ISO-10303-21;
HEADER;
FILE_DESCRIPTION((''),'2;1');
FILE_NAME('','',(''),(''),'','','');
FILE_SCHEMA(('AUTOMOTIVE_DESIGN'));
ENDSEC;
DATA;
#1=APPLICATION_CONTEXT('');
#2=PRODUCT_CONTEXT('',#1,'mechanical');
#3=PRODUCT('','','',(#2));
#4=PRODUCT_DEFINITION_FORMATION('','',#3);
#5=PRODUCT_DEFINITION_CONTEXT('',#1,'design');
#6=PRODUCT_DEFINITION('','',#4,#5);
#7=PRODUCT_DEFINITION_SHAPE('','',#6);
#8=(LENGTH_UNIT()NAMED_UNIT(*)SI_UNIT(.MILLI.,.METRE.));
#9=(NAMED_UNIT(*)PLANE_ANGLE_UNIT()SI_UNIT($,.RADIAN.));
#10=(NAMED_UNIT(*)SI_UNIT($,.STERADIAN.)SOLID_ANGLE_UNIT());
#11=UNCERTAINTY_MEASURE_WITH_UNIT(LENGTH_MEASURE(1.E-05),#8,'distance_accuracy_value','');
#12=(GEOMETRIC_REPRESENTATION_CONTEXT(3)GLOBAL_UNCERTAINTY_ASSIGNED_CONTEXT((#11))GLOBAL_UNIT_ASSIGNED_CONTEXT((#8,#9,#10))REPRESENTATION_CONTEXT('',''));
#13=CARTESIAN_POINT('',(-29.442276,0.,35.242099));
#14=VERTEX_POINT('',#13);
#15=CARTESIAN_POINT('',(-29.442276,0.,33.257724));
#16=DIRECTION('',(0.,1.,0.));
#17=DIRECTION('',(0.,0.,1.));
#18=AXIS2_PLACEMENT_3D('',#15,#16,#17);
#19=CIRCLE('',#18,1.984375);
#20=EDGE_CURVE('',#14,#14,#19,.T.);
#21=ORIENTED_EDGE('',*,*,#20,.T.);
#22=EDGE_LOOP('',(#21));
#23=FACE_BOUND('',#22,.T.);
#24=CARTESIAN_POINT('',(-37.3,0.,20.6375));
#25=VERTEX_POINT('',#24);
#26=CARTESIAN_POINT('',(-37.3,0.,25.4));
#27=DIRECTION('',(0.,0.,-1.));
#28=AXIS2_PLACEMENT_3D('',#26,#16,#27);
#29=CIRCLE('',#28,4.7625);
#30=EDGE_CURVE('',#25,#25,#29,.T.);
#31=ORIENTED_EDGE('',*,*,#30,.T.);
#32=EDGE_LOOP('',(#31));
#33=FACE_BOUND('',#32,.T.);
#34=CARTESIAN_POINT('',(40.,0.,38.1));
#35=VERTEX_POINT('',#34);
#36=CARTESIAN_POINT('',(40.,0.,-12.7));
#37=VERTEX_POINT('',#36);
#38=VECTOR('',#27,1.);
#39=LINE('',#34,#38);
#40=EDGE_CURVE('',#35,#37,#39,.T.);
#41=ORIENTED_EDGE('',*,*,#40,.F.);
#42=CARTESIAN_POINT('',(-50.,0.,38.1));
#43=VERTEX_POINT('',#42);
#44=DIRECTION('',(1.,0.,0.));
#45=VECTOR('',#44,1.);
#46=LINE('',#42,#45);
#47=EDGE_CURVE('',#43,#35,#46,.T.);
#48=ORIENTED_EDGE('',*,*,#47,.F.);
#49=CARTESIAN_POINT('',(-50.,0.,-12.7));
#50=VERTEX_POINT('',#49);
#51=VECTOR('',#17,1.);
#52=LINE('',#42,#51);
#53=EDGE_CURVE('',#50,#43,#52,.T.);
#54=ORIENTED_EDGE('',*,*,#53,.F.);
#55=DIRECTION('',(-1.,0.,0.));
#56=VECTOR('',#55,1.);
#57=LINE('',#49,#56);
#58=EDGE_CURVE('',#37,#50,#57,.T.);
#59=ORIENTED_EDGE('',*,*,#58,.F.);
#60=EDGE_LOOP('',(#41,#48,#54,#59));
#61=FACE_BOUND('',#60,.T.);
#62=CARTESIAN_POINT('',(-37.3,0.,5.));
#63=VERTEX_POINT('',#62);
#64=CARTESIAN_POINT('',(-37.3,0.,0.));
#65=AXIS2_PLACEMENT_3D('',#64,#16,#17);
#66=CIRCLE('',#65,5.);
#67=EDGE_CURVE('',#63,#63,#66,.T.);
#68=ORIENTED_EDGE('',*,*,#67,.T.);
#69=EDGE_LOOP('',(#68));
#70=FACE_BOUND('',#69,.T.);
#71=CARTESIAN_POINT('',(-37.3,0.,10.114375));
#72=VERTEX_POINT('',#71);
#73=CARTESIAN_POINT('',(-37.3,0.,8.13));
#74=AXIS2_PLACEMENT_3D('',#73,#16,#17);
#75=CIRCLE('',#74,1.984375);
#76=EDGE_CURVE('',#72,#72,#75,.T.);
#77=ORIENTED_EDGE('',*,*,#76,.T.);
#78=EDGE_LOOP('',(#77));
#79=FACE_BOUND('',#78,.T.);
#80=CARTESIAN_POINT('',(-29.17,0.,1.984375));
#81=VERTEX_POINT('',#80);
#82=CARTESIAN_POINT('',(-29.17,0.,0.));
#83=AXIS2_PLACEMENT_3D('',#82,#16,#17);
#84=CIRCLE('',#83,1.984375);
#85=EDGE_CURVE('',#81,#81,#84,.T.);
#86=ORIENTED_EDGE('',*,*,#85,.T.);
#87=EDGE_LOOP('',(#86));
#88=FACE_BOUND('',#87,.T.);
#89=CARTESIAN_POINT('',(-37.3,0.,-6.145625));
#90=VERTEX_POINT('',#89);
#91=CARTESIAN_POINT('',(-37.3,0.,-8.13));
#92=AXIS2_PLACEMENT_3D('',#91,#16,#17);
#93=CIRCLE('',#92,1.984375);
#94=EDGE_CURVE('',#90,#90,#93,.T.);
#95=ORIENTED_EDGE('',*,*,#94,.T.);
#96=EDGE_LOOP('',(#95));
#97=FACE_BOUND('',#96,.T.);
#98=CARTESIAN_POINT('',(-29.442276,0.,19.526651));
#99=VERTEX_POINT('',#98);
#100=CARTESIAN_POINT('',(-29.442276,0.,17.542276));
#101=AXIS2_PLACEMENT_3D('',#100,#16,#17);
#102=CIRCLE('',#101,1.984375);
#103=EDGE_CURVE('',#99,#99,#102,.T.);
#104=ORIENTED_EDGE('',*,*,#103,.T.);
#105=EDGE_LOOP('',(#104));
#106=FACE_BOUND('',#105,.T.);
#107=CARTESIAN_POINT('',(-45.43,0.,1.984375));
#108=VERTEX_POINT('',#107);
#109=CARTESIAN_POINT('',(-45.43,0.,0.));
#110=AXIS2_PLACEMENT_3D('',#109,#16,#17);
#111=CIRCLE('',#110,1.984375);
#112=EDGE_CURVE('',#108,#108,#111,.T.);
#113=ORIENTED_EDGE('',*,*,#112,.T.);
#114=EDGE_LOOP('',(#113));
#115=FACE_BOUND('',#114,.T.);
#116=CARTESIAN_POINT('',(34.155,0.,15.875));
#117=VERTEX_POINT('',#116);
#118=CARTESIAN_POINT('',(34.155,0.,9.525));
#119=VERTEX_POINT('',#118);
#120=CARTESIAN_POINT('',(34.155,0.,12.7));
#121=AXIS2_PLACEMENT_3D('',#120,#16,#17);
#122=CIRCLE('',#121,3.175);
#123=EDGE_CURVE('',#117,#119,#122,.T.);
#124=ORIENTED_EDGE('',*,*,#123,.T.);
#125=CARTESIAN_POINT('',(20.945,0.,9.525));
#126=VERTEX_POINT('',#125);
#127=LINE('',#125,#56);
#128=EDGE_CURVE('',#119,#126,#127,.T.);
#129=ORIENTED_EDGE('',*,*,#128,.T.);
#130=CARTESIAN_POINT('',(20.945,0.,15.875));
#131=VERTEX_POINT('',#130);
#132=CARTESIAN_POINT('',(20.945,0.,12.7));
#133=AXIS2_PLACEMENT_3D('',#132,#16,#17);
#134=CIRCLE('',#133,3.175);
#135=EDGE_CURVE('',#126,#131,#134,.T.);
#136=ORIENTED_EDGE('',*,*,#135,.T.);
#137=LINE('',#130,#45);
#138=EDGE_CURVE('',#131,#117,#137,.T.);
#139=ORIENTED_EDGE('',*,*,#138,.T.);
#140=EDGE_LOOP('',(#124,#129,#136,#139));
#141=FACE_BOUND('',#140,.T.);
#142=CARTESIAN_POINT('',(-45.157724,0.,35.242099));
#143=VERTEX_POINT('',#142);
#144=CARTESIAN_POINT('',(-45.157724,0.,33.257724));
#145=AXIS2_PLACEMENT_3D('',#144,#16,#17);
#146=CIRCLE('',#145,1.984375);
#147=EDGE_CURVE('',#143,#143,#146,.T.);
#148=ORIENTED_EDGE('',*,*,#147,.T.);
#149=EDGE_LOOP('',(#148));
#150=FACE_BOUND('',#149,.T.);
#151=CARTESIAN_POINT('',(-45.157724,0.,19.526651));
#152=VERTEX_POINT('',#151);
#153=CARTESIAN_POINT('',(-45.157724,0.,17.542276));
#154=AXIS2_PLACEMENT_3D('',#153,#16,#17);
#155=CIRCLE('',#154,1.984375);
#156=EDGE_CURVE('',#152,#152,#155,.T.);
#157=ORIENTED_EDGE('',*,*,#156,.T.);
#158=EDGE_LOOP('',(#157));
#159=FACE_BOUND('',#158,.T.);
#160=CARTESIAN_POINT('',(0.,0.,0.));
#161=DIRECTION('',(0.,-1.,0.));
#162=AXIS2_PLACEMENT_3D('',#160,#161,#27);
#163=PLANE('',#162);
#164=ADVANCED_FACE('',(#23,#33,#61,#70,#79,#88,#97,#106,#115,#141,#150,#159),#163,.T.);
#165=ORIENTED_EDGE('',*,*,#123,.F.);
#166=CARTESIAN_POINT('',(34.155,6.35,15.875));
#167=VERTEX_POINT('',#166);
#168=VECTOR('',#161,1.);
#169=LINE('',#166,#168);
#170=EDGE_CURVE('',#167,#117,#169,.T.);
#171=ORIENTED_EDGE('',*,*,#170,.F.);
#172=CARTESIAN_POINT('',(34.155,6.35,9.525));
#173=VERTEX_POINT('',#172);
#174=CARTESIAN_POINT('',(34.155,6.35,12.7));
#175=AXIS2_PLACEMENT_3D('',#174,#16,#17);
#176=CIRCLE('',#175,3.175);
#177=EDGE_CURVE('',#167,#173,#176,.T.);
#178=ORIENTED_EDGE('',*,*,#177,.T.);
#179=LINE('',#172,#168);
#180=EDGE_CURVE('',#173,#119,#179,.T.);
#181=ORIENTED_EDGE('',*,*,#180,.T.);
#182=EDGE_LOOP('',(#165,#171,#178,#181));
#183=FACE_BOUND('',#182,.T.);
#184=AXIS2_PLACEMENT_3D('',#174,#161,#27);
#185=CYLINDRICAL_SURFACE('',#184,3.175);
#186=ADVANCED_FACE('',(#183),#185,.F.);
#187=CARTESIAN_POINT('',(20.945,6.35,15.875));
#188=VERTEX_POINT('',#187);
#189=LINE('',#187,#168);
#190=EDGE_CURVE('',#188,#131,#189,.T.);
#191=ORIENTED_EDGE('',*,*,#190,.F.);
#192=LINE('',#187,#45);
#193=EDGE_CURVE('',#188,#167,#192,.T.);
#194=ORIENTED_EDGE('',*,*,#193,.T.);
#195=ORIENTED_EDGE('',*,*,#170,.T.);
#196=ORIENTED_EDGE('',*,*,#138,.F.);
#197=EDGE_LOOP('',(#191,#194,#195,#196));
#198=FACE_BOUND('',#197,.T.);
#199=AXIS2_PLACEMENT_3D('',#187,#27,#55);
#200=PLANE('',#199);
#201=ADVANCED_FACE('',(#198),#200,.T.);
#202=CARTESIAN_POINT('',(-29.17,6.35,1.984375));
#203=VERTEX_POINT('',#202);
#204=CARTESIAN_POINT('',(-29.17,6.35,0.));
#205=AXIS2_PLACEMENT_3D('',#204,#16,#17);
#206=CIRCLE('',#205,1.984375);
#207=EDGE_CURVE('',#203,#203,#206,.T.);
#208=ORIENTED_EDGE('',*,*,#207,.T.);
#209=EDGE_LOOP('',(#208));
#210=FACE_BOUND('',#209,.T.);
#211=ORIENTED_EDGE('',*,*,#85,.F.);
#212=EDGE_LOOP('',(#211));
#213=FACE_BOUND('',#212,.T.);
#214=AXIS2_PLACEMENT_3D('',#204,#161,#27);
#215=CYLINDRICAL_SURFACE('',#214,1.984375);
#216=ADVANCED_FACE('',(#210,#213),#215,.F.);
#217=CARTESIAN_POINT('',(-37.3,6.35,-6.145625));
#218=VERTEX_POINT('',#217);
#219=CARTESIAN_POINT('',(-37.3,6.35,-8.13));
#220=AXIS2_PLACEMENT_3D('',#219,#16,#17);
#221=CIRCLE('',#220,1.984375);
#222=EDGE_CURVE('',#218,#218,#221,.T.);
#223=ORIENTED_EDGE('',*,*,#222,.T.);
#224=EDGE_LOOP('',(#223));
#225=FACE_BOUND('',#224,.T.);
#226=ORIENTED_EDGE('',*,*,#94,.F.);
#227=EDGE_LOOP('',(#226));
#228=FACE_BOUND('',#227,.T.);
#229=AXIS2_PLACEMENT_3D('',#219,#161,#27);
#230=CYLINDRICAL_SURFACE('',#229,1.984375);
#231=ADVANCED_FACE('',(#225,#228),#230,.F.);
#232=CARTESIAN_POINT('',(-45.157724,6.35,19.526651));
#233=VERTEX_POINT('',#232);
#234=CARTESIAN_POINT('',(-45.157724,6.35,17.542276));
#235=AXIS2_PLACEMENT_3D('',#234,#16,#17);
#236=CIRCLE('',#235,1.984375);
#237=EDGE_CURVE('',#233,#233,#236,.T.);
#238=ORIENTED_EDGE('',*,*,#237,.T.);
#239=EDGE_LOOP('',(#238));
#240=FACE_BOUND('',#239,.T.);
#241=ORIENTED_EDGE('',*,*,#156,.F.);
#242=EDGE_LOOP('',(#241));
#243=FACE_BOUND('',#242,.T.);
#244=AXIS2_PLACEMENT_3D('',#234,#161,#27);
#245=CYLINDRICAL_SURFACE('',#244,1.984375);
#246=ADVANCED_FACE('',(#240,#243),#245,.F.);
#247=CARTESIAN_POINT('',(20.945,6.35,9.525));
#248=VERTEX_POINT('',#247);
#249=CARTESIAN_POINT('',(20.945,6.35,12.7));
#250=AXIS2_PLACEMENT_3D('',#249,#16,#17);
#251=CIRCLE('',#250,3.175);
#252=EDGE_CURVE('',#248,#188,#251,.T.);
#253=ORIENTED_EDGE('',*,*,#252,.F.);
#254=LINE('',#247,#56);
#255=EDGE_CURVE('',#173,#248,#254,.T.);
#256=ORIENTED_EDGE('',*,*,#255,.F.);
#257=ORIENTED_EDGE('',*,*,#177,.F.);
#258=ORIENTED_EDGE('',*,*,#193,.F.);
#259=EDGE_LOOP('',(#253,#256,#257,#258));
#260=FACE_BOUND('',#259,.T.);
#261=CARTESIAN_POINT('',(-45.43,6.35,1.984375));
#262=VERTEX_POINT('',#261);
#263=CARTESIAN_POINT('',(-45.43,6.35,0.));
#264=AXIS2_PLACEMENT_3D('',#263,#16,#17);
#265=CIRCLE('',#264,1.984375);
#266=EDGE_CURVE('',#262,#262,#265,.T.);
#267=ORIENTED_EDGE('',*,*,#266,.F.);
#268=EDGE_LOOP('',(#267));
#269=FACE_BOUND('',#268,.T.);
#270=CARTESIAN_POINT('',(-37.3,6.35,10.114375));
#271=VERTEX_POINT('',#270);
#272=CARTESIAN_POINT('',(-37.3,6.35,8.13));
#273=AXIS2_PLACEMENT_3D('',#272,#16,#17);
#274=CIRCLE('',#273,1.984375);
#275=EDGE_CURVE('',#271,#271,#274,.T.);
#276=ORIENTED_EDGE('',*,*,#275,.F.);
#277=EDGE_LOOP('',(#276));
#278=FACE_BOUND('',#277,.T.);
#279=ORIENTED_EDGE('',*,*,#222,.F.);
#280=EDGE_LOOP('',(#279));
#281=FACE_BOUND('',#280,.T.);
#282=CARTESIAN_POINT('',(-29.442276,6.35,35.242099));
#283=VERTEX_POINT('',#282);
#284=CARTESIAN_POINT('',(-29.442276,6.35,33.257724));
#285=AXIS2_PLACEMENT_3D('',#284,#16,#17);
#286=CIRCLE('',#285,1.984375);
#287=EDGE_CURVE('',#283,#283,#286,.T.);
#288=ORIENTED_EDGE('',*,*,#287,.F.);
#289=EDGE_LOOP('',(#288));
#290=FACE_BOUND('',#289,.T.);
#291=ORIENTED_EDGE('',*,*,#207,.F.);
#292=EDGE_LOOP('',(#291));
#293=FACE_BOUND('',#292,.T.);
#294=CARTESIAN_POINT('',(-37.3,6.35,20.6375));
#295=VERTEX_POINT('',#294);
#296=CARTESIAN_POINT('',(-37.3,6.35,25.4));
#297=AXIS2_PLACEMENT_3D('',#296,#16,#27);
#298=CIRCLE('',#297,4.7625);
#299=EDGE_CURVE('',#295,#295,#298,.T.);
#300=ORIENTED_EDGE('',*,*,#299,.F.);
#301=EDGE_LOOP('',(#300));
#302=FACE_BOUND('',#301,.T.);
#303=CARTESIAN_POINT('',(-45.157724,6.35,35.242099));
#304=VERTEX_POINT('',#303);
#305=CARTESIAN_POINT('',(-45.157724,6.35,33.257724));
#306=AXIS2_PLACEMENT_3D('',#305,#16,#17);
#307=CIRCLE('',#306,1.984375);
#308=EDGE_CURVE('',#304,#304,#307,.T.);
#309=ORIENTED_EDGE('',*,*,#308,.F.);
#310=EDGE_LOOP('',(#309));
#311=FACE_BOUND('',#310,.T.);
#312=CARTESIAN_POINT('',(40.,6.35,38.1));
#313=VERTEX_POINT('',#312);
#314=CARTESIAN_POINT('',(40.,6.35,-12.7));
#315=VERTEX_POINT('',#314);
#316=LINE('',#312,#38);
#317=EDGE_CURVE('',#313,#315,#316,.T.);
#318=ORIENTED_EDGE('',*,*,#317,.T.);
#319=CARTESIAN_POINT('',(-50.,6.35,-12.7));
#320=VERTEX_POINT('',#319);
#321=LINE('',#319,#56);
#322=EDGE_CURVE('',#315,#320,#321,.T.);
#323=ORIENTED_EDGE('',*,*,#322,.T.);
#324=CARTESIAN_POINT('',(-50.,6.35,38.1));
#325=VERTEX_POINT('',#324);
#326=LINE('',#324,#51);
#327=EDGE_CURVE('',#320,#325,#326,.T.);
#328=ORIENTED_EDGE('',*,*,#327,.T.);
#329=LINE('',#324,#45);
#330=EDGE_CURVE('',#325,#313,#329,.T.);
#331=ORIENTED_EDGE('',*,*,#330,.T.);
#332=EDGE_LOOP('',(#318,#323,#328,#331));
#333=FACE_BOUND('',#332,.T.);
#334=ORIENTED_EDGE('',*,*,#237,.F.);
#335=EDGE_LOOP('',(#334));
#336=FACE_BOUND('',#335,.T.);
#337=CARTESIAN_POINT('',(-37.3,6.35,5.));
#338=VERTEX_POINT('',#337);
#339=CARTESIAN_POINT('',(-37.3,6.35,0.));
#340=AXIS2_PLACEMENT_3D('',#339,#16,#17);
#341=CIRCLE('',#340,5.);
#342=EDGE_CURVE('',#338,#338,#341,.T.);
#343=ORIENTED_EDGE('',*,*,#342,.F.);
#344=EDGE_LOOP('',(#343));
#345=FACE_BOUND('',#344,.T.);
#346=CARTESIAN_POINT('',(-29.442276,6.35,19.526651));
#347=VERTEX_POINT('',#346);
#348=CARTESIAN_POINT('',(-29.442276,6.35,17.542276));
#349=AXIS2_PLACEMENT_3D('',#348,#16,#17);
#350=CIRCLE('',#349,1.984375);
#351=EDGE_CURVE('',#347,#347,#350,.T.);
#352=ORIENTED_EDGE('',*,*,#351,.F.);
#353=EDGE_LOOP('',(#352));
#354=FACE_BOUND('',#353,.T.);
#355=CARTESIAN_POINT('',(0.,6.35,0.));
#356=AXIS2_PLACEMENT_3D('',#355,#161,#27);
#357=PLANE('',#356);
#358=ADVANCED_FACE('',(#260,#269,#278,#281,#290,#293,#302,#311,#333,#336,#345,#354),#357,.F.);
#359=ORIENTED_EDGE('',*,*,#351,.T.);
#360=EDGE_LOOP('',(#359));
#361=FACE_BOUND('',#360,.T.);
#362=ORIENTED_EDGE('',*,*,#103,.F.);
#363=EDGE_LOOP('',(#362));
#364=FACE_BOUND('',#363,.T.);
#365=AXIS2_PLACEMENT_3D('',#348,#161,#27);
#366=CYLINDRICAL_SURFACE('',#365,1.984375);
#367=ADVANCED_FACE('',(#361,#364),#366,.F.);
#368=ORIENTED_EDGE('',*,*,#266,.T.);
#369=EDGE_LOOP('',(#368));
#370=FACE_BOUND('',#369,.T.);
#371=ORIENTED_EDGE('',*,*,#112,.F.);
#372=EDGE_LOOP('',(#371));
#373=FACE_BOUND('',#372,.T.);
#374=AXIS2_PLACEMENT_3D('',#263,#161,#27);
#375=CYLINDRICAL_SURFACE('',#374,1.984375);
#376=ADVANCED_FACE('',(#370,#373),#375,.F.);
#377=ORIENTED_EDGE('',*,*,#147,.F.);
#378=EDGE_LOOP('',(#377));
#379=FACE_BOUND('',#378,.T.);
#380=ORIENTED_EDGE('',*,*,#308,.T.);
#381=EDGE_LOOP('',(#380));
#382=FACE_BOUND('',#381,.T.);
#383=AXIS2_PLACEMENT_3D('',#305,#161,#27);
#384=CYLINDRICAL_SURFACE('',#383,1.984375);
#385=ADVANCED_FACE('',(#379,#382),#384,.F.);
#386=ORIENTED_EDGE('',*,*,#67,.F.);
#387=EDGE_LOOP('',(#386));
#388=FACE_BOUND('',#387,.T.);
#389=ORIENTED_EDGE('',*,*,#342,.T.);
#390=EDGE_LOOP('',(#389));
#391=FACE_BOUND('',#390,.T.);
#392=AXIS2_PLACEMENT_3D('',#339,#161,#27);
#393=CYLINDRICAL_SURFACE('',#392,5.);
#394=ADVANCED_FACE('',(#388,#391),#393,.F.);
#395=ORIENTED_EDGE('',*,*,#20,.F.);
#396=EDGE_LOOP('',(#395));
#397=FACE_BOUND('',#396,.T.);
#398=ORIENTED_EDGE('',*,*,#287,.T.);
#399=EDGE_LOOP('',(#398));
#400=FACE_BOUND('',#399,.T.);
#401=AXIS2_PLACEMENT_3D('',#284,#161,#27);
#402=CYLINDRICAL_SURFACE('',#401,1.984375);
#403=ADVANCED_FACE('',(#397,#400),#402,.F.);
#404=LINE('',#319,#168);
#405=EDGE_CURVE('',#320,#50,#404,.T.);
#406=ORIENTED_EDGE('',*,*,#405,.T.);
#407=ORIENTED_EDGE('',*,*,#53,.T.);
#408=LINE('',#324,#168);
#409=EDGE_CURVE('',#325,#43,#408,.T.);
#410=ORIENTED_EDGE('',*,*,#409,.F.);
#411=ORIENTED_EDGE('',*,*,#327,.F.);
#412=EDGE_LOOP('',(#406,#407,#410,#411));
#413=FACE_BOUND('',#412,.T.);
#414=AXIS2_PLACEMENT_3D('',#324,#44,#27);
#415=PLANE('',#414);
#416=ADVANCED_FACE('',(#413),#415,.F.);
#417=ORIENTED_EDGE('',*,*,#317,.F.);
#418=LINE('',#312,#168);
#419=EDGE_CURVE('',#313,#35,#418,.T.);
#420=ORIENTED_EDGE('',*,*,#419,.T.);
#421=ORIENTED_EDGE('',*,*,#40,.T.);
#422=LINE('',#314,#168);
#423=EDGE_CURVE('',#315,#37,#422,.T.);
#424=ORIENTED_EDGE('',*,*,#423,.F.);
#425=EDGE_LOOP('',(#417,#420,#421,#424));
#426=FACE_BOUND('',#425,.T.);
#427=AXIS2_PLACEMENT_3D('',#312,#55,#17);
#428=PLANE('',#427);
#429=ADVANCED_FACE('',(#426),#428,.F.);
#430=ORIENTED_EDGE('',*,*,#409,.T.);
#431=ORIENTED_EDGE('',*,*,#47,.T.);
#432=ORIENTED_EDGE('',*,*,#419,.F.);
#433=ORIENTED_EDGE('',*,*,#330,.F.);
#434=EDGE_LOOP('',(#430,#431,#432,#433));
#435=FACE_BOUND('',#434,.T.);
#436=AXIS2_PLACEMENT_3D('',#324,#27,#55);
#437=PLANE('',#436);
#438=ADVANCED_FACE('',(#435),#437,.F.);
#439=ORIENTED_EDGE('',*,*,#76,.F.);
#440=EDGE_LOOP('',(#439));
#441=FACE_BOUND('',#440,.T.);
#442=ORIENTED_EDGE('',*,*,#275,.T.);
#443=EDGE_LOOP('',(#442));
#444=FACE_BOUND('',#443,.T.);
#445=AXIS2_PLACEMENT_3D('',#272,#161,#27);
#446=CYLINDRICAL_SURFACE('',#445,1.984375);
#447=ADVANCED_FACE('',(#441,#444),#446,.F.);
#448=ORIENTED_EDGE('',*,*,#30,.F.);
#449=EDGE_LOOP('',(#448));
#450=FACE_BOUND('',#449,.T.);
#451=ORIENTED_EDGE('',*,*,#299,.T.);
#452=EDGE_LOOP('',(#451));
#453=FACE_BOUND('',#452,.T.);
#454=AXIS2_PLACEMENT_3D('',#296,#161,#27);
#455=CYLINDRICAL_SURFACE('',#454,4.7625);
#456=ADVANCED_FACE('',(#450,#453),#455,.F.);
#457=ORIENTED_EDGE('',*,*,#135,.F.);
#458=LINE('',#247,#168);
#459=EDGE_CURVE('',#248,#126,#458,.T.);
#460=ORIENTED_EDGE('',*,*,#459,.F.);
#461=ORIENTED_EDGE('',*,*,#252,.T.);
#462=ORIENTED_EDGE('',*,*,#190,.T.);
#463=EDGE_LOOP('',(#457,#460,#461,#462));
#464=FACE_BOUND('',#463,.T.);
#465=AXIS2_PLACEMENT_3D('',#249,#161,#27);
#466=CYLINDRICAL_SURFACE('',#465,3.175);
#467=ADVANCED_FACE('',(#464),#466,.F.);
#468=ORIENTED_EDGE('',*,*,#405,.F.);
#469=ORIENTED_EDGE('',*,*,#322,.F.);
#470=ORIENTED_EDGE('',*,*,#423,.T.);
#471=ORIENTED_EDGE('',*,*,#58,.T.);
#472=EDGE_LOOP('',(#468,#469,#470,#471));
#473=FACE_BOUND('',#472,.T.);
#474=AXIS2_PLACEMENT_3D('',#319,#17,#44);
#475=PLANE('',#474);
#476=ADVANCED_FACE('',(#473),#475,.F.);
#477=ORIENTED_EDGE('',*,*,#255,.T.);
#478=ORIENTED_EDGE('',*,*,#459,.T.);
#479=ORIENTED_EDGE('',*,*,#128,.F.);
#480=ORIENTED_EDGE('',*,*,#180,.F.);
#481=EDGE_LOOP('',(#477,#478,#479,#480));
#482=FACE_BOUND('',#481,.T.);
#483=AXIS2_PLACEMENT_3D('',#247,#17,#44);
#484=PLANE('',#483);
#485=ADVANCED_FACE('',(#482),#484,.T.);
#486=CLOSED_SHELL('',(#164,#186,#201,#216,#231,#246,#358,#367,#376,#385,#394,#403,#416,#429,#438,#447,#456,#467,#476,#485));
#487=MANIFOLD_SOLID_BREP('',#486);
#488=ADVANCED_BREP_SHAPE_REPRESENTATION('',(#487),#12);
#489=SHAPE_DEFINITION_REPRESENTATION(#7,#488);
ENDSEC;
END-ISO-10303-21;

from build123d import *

# Parameters (mm, degrees)
SKETCH1_W           = 90
SKETCH1_H           = 50.8
SKETCH1_R           = 5
SKETCH1_R_2         = 1.984375
SKETCH1_R_3         = 4.7625
BOSS_EXTRUDE1_DEPTH = 6.35


with BuildPart() as part:
    # Sketch1 → Boss-Extrude1 (new body)
    with BuildSketch(Plane(origin=(0, 0, 0), x_dir=(1, 0, 0), z_dir=(0, 1, 0))):
        with Locations((-5, -12.7)):
            Rectangle(SKETCH1_W, SKETCH1_H)
        with Locations((-37.3, 0)):
            Circle(SKETCH1_R, mode=Mode.SUBTRACT)
        with Locations((-37.3, -8.13)):
            Circle(SKETCH1_R_2, mode=Mode.SUBTRACT)
        with Locations((-45.43, 0)):
            Circle(SKETCH1_R_2, mode=Mode.SUBTRACT)
        with Locations((-37.3, 8.13)):
            Circle(SKETCH1_R_2, mode=Mode.SUBTRACT)
        with Locations((-29.17, 0)):
            Circle(SKETCH1_R_2, mode=Mode.SUBTRACT)
        with Locations((-37.3, -25.4)):
            Circle(SKETCH1_R_3, mode=Mode.SUBTRACT)
        with Locations((-45.157724106, -17.542275894)):
            Circle(SKETCH1_R_2, mode=Mode.SUBTRACT)
        with Locations((-29.442275894, -17.542275894)):
            Circle(SKETCH1_R_2, mode=Mode.SUBTRACT)
        with Locations((-29.442275894, -33.257724106)):
            Circle(SKETCH1_R_2, mode=Mode.SUBTRACT)
        with Locations((-45.157724106, -33.257724106)):
            Circle(SKETCH1_R_2, mode=Mode.SUBTRACT)
        with BuildLine():
            Line((20.945, -9.525), (34.155, -9.525))
            ThreePointArc((34.155, -9.525), (37.33, -12.7), (34.155, -15.875))
            Line((34.155, -15.875), (20.945, -15.875))
            ThreePointArc((20.945, -15.875), (17.77, -12.7), (20.945, -9.525))
        make_face(mode=Mode.SUBTRACT)
    extrude(amount=BOSS_EXTRUDE1_DEPTH)


solid = part.part
